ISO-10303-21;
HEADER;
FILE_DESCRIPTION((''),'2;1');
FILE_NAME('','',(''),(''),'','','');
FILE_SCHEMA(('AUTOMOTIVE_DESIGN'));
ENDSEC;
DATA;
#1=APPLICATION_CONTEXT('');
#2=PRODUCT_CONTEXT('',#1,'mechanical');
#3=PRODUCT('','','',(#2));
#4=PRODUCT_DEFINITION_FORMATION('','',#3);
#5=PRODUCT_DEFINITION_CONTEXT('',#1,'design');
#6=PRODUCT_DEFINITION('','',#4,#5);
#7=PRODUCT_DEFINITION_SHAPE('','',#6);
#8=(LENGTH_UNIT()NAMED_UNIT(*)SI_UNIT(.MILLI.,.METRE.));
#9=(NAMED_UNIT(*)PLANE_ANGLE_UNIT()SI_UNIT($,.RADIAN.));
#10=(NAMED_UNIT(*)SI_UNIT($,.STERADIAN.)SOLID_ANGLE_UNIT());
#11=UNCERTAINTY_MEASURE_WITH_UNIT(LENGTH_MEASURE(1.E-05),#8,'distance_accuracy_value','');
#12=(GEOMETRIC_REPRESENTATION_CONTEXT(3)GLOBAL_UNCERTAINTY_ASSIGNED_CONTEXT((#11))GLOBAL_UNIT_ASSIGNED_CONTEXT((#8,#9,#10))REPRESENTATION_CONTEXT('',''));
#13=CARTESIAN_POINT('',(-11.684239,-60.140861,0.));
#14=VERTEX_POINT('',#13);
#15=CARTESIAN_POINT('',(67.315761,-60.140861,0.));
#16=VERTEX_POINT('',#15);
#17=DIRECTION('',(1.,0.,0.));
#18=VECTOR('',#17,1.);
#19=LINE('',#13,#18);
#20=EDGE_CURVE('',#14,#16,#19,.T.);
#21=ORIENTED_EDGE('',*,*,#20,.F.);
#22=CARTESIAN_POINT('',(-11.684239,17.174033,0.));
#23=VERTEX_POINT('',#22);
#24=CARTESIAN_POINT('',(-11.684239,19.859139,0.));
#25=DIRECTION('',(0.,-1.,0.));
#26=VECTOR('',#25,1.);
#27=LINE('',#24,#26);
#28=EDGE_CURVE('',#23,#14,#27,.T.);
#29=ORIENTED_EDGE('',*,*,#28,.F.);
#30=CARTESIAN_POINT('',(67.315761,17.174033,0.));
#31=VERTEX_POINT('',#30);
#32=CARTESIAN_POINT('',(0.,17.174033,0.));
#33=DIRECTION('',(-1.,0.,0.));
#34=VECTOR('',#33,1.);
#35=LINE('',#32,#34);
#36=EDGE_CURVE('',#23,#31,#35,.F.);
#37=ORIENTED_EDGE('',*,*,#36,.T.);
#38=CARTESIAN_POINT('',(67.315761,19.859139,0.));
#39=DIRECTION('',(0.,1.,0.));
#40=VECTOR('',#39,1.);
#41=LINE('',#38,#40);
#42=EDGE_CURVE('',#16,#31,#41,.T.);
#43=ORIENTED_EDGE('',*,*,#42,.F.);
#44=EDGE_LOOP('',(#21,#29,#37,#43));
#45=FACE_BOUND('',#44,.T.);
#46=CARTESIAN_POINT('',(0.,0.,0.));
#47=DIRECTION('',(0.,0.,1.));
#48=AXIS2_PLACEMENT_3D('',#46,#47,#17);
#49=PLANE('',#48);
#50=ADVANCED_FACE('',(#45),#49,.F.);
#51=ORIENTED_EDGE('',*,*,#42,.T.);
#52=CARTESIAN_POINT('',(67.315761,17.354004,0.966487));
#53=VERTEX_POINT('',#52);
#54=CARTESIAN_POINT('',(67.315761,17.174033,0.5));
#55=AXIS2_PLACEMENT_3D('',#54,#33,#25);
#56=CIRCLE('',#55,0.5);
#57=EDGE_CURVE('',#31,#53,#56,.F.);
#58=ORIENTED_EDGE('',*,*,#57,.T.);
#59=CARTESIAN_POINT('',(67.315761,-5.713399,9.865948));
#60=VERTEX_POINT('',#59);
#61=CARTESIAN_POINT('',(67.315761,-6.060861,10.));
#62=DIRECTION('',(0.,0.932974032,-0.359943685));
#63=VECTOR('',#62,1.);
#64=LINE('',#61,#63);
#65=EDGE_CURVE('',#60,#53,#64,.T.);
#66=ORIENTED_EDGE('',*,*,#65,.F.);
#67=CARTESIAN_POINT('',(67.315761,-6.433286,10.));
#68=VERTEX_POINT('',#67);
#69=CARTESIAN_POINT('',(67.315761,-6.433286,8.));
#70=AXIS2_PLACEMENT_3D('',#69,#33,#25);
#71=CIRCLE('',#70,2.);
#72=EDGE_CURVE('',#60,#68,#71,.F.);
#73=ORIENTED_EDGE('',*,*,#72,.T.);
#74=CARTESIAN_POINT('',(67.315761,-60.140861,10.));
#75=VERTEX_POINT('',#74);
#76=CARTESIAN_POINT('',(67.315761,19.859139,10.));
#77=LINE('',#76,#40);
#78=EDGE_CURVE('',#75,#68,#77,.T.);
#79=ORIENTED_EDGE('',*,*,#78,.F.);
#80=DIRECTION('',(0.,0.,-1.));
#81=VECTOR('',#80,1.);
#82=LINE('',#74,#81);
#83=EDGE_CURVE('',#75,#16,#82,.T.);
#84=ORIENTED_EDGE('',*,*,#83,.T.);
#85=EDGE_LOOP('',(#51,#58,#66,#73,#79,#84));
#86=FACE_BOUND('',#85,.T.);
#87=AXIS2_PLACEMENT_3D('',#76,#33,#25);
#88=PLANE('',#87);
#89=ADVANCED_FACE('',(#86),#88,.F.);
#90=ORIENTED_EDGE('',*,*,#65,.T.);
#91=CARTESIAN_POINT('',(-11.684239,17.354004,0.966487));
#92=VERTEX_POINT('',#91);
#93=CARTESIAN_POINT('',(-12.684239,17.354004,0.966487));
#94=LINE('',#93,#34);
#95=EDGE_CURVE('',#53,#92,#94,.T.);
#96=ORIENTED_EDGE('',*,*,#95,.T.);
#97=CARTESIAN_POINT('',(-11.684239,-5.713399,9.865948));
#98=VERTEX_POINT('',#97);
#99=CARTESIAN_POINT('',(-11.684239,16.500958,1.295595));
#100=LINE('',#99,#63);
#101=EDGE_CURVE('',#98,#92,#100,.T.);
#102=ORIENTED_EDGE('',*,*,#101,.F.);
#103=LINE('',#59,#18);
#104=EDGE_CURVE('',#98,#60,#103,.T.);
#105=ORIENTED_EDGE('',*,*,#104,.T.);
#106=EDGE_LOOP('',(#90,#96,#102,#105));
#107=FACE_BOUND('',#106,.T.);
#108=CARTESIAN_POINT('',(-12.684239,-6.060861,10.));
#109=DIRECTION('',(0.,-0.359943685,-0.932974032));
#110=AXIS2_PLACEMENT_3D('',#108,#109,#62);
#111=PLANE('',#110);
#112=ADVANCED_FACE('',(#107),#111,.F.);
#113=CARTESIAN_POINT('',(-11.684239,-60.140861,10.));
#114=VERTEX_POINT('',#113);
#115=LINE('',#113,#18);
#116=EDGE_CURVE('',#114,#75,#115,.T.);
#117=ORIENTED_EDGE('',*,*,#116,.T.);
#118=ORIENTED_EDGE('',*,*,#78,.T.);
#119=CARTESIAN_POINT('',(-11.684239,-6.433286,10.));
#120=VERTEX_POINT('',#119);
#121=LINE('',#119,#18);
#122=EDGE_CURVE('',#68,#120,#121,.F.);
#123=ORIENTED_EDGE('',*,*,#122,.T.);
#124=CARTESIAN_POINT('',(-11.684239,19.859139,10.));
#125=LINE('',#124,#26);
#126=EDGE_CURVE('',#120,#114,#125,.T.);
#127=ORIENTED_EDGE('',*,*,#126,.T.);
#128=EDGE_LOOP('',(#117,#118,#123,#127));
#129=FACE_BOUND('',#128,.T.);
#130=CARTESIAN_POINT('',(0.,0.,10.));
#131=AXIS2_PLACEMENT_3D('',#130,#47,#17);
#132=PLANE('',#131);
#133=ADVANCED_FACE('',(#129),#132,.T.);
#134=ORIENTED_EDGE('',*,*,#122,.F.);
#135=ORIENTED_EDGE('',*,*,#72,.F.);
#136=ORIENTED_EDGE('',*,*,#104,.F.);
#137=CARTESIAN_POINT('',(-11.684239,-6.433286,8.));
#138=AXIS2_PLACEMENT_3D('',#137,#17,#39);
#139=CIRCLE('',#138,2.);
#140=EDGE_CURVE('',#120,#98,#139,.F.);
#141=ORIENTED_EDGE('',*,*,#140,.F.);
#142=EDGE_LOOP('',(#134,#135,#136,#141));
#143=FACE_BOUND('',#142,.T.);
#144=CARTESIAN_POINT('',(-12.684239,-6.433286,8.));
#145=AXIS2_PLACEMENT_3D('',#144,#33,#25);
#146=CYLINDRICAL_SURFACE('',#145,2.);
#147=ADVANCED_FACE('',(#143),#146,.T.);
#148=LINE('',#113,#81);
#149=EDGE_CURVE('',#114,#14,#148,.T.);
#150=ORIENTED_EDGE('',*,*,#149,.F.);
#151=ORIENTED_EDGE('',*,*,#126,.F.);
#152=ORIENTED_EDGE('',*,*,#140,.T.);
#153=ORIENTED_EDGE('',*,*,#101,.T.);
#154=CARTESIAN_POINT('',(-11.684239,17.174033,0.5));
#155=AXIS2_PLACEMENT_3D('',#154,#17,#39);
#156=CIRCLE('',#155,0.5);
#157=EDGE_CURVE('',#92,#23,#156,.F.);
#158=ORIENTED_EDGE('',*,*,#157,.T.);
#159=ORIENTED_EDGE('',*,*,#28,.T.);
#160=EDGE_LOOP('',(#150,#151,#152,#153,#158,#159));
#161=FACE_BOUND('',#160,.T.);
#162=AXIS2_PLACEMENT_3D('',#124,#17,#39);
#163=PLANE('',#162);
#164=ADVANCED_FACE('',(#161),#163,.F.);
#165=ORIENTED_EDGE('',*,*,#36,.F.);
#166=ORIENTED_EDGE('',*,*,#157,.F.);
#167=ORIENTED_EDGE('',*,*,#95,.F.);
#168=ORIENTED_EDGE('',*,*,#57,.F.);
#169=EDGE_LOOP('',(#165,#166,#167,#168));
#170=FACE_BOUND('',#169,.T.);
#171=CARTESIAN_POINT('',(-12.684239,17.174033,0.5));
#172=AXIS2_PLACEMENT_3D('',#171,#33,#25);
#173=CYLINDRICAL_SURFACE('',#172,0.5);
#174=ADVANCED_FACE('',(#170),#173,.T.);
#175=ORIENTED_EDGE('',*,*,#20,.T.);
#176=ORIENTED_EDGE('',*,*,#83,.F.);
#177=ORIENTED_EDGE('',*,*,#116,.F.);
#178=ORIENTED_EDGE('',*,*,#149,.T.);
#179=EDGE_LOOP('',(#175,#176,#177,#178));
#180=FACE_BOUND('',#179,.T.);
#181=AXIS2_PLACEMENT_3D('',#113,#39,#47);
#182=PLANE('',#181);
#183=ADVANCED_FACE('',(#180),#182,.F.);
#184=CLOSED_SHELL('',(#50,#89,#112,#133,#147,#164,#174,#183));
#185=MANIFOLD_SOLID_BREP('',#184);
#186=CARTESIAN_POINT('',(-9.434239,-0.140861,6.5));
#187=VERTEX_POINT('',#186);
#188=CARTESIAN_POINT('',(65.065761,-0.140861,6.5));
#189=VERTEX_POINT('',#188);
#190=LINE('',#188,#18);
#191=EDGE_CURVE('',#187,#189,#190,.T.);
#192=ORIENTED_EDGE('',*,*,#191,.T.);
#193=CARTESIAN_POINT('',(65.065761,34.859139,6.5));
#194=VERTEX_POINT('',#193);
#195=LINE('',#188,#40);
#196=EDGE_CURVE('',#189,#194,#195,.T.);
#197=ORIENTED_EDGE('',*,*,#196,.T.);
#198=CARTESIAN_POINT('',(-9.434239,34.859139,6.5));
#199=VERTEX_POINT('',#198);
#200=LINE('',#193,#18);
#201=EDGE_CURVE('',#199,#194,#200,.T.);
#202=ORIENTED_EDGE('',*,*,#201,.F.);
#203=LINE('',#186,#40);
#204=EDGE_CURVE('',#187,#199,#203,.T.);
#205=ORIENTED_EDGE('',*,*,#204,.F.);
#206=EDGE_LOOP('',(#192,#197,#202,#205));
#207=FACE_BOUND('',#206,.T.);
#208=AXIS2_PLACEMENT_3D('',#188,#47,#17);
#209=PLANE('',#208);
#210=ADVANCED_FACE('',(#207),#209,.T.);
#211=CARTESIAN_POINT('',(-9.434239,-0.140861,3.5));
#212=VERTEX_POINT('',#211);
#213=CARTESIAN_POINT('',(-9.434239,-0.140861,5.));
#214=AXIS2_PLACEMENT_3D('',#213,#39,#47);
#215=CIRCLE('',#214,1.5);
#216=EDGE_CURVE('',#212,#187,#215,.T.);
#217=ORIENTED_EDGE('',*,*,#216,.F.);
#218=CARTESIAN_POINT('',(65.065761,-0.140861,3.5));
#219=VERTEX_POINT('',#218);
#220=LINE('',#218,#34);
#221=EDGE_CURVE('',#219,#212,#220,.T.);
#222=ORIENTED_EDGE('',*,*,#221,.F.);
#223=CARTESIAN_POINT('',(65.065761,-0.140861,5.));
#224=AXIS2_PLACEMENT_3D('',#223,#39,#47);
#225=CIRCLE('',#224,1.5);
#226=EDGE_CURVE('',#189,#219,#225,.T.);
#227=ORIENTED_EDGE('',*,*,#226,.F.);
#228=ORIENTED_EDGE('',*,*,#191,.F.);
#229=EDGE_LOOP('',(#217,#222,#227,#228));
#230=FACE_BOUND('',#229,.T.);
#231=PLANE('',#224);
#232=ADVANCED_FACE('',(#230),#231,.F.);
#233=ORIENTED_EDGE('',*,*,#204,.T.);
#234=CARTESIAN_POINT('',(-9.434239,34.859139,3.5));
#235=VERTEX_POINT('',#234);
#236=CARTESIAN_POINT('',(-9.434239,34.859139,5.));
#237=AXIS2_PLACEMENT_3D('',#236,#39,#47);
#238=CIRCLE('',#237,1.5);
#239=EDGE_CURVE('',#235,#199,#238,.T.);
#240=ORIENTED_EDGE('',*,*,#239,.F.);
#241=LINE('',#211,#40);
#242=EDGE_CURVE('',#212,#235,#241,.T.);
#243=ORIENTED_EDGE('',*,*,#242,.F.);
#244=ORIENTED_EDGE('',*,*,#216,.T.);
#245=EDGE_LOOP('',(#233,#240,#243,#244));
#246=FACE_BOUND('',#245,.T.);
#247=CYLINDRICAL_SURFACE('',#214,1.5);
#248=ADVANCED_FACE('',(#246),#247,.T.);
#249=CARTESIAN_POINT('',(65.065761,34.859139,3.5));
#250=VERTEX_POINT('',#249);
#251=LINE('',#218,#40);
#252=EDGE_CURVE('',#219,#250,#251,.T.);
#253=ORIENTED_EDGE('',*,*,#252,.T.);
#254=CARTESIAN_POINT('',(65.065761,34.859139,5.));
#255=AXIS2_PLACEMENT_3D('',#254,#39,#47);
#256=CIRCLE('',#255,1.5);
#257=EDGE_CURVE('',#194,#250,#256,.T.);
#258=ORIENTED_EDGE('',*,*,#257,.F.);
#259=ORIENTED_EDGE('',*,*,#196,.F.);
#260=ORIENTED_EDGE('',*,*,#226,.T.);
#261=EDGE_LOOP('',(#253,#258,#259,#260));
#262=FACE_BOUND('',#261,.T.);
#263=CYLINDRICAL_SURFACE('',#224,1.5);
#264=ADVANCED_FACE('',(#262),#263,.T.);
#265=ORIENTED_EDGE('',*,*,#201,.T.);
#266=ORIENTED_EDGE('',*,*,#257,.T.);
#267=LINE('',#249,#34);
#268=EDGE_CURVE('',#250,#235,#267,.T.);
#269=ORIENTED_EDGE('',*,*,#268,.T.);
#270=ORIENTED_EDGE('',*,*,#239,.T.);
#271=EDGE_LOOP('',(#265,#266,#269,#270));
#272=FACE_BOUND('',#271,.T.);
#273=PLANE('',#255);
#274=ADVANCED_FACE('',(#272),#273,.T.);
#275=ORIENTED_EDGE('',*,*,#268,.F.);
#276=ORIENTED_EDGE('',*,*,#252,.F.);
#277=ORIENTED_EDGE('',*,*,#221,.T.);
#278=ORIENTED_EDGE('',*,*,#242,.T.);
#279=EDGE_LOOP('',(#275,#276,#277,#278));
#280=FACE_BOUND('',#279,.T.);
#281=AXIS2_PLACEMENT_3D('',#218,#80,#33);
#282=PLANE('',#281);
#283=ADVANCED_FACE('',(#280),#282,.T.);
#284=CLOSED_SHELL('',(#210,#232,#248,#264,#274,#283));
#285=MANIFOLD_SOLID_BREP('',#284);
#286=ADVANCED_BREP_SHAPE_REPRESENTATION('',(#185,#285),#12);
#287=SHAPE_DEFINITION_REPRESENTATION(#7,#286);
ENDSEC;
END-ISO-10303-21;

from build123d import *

# Parameters (mm, degrees)
CROQUIS1_W                   = 79
CROQUIS1_H                   = 80
SALIENTE_EXTRUIR1_DEPTH      = 10
CORTAR_EXTRUIR2_DEPTH        = 80
REDONDEO3_R                  = 0.5
REDONDEO4_R                  = 2
SALIENTE_EXTRUIR2_DEPTH      = 15
SALIENTE_EXTRUIR2_DEPTH_BACK = 20


with BuildPart() as part:
    # Croquis1 → Saliente-Extruir1 (new body)
    with BuildSketch(Plane.XY):
        with Locations((27.815761317, -20.14086116)):
            Rectangle(CROQUIS1_W, CROQUIS1_H)
    extrude(amount=SALIENTE_EXTRUIR1_DEPTH)

    # Croquis3 → Cortar-Extruir2 (cut)
    with BuildSketch(Plane(origin=(67.315761317, 0, 0), x_dir=(0, 0, -1), z_dir=(1, 0, 0))):
        Polygon((-10, 19.85913884), (-10, -6.06086116), (0, 19.85913884), align=None)
    extrude(amount=-CORTAR_EXTRUIR2_DEPTH, mode=Mode.SUBTRACT)

    # Redondeo3
    redondeo3_edges = [part.edges().sort_by_distance(p)[0] for p in [
        (27.815761317, 19.85913884, 0),
    ]]
    fillet(redondeo3_edges, radius=REDONDEO3_R)

    # Redondeo4
    redondeo4_edges = [part.edges().sort_by_distance(p)[0] for p in [
        (27.815761317, -6.06086116, 10),
    ]]
    fillet(redondeo4_edges, radius=REDONDEO4_R)


with BuildPart() as body_2:
    # Croquis2 → Saliente-Extruir2 (new, two sides: drawn at the far end of the back side and taken through both)
    with BuildSketch(Plane(origin=(0, 19.85913884, 0), x_dir=(1, 0, 0), z_dir=(0, 1, 0)).offset(-SALIENTE_EXTRUIR2_DEPTH_BACK)):
        with BuildLine():
            Line((65.065761317, -6.5), (-9.434238683, -6.5))
            ThreePointArc((-9.434238683, -6.5), (-10.934238683, -5), (-9.434238683, -3.5))
            Line((-9.434238683, -3.5), (65.065761317, -3.5))
            ThreePointArc((65.065761317, -3.5), (66.565761317, -5), (65.065761317, -6.5))
        make_face()
    extrude(amount=SALIENTE_EXTRUIR2_DEPTH + SALIENTE_EXTRUIR2_DEPTH_BACK)


solid = Compound([part.part, body_2.part])
